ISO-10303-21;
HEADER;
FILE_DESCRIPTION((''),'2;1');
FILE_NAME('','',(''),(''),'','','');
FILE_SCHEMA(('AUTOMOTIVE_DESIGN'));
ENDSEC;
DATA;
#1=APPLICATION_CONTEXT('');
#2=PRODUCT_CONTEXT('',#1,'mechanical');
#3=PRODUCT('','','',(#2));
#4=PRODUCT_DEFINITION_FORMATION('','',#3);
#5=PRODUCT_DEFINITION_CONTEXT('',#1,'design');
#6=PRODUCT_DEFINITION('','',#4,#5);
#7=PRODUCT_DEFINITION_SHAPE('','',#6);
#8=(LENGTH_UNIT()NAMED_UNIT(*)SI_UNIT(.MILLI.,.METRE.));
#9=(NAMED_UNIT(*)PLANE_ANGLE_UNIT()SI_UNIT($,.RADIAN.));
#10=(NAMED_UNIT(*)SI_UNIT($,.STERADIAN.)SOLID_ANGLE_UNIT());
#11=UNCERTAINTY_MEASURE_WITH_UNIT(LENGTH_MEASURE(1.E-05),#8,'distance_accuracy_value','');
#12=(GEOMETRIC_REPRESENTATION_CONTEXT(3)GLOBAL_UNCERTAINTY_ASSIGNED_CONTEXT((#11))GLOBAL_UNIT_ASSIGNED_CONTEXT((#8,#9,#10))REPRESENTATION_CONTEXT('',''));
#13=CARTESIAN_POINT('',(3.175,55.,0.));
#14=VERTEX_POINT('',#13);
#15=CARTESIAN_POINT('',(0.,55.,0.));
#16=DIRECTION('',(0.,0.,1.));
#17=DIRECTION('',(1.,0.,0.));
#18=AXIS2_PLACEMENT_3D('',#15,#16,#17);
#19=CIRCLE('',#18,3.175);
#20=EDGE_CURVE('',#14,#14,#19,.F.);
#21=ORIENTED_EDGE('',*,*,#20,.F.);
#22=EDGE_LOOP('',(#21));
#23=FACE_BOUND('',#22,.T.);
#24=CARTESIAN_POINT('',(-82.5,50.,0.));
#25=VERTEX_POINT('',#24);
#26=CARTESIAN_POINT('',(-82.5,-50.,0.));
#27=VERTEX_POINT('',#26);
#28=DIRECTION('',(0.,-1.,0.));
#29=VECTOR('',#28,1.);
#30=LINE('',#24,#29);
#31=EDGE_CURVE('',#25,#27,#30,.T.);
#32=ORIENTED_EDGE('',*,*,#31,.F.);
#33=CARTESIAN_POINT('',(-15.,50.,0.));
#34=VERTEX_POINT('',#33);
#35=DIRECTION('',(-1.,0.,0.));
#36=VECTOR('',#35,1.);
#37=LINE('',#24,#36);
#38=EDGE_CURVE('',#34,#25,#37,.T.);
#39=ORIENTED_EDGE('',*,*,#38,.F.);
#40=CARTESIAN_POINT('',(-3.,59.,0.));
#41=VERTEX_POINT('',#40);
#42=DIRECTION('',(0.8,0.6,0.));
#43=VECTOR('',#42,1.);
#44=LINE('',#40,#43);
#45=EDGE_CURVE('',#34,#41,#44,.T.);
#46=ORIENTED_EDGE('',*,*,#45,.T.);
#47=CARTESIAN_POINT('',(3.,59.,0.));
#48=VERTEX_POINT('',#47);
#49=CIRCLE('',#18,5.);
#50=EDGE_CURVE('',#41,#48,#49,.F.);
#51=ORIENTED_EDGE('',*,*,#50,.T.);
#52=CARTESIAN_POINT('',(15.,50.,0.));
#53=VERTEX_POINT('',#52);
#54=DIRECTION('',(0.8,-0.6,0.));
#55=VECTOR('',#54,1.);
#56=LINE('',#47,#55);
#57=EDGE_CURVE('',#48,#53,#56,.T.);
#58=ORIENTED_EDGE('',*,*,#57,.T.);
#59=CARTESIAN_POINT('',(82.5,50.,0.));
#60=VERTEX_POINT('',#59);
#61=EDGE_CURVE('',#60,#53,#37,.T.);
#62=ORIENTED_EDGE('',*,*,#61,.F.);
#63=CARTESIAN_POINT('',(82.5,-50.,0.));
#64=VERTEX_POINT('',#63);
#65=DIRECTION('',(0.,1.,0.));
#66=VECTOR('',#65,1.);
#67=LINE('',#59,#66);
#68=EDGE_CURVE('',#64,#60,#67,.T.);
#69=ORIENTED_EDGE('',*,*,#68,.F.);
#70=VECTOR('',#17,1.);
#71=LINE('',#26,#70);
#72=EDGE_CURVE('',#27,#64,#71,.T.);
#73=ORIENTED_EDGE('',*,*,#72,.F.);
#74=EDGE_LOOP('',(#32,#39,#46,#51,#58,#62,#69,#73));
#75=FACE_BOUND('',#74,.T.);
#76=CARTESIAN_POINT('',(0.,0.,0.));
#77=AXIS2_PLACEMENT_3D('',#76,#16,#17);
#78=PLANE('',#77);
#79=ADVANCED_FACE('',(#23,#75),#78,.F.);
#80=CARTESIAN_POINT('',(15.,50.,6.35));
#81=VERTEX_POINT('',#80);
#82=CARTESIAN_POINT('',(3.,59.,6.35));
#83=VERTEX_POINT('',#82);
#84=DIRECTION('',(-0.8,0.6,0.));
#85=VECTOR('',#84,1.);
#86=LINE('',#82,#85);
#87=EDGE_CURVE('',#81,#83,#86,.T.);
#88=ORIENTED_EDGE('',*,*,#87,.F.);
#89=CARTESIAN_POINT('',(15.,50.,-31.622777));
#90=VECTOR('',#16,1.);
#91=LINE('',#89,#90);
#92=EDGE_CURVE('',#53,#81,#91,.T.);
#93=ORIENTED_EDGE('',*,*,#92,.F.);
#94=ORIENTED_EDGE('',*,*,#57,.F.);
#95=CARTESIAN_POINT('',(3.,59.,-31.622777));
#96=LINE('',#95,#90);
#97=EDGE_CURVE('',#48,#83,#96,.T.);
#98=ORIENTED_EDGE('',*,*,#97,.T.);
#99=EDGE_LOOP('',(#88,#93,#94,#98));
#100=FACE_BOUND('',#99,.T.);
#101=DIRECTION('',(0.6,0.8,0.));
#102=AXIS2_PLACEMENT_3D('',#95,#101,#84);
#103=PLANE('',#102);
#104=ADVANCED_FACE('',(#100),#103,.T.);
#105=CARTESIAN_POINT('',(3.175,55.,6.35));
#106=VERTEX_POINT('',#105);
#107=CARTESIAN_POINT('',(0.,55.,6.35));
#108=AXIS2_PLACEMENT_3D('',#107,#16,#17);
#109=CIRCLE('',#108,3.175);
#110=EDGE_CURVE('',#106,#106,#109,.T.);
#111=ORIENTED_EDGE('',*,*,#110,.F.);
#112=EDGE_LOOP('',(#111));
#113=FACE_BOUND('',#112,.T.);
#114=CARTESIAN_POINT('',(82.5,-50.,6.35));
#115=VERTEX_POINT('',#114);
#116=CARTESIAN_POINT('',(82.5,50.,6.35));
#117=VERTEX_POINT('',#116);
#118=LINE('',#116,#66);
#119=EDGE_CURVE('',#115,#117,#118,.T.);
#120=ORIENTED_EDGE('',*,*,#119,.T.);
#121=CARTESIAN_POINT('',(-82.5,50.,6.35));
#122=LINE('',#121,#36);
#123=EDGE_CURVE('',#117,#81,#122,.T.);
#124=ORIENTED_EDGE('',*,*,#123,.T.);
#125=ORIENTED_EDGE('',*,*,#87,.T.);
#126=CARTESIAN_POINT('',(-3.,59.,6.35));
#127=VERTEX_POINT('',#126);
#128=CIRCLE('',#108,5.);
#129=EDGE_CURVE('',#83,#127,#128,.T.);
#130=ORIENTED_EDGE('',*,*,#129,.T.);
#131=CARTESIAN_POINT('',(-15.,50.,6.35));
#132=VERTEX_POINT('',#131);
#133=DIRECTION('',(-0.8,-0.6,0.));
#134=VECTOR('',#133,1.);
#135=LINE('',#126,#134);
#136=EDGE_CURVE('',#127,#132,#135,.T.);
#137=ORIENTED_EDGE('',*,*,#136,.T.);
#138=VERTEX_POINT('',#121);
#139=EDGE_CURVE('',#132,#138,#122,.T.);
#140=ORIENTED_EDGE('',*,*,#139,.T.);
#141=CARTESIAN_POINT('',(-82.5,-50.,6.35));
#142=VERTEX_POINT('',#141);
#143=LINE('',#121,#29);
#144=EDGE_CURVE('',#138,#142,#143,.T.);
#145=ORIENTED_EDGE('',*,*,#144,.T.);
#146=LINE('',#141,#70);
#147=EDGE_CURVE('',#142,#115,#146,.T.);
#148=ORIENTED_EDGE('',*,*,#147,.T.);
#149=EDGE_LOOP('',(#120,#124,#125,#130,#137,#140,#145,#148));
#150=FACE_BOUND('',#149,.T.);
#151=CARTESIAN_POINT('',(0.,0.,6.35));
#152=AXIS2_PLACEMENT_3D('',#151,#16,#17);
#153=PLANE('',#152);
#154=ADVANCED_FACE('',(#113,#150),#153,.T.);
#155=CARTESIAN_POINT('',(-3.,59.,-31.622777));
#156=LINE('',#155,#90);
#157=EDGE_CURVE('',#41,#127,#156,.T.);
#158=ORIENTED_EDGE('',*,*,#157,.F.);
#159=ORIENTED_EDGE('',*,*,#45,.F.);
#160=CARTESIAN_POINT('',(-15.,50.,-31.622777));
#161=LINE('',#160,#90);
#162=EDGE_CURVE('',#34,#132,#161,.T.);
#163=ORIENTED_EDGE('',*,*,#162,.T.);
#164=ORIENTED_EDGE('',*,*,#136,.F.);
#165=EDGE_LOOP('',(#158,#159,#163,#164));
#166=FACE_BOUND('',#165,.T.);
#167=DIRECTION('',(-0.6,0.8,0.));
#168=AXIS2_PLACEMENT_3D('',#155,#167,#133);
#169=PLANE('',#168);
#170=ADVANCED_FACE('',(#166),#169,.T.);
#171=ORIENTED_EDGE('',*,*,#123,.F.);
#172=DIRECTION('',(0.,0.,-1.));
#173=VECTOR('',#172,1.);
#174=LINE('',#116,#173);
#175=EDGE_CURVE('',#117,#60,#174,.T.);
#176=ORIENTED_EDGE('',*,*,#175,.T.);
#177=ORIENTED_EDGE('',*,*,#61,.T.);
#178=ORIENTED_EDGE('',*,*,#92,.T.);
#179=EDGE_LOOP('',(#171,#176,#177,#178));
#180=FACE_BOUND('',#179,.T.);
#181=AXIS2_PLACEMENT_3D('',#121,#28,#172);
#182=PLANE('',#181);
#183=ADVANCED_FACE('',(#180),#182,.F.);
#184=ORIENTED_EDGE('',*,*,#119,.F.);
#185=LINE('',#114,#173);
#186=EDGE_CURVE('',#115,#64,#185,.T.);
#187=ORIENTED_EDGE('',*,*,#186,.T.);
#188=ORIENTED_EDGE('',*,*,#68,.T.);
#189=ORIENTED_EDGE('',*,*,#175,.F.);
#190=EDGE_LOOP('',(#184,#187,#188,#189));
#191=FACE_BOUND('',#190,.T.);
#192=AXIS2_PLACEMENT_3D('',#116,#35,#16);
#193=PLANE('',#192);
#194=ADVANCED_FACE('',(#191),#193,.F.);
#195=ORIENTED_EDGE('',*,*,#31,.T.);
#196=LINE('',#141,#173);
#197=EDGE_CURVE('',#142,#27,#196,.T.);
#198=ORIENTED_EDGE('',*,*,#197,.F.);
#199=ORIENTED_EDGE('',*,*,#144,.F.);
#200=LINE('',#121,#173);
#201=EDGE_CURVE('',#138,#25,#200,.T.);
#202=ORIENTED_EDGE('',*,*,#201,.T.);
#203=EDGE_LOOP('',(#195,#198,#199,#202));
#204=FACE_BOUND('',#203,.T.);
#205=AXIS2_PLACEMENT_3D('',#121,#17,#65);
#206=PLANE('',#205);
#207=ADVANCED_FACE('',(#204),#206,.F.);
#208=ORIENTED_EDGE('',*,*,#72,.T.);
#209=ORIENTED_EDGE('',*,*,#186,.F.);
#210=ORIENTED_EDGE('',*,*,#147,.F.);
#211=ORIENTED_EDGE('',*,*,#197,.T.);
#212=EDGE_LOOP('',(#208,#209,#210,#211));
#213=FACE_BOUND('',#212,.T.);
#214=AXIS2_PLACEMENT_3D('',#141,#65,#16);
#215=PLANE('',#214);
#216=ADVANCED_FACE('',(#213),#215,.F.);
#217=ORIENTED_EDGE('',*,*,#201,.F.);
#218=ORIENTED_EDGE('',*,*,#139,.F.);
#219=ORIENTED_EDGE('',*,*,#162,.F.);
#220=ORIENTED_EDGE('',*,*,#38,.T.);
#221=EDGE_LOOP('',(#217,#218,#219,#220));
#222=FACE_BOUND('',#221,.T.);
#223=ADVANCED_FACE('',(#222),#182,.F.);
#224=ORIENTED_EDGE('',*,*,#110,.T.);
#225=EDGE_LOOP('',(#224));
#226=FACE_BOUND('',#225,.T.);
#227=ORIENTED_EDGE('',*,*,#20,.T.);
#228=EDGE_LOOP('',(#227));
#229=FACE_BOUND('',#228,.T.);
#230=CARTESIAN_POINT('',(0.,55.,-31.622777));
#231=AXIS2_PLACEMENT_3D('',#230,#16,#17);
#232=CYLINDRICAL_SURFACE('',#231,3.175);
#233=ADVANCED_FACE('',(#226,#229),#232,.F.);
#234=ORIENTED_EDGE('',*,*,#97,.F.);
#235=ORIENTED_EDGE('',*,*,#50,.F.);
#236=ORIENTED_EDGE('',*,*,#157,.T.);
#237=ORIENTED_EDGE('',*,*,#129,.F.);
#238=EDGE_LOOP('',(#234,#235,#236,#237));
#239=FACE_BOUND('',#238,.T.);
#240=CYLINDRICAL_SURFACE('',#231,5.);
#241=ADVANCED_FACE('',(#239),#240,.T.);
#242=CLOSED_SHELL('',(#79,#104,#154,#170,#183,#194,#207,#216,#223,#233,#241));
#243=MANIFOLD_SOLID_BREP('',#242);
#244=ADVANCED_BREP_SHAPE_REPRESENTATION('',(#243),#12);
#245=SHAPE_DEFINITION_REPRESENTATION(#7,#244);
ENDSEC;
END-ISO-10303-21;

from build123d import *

# Parameters (mm, degrees)
SKETCH1_W           = 165
SKETCH1_H           = 100
BOSS_EXTRUDE1_DEPTH = 6.35
SKETCH2_R           = 3.175
BOSS_EXTRUDE2_DEPTH = 6.35


with BuildPart() as part:
    # Sketch1 → Boss-Extrude1 (new body)
    with BuildSketch(Plane.XY):
        Rectangle(SKETCH1_W, SKETCH1_H)
    extrude(amount=BOSS_EXTRUDE1_DEPTH)

    # Sketch2 → Boss-Extrude2 (add)
    with BuildSketch(Plane.XY.offset(6.35)):
        with BuildLine():
            Line((-3, 59), (-15, 50))
            Line((-15, 50), (15, 50))
            Line((15, 50), (3, 59))
            ThreePointArc((3, 59), (0, 60), (-3, 59))
        make_face()
        with Locations((0, 55)):
            Circle(SKETCH2_R, mode=Mode.SUBTRACT)
    extrude(amount=-BOSS_EXTRUDE2_DEPTH)


solid = part.part
